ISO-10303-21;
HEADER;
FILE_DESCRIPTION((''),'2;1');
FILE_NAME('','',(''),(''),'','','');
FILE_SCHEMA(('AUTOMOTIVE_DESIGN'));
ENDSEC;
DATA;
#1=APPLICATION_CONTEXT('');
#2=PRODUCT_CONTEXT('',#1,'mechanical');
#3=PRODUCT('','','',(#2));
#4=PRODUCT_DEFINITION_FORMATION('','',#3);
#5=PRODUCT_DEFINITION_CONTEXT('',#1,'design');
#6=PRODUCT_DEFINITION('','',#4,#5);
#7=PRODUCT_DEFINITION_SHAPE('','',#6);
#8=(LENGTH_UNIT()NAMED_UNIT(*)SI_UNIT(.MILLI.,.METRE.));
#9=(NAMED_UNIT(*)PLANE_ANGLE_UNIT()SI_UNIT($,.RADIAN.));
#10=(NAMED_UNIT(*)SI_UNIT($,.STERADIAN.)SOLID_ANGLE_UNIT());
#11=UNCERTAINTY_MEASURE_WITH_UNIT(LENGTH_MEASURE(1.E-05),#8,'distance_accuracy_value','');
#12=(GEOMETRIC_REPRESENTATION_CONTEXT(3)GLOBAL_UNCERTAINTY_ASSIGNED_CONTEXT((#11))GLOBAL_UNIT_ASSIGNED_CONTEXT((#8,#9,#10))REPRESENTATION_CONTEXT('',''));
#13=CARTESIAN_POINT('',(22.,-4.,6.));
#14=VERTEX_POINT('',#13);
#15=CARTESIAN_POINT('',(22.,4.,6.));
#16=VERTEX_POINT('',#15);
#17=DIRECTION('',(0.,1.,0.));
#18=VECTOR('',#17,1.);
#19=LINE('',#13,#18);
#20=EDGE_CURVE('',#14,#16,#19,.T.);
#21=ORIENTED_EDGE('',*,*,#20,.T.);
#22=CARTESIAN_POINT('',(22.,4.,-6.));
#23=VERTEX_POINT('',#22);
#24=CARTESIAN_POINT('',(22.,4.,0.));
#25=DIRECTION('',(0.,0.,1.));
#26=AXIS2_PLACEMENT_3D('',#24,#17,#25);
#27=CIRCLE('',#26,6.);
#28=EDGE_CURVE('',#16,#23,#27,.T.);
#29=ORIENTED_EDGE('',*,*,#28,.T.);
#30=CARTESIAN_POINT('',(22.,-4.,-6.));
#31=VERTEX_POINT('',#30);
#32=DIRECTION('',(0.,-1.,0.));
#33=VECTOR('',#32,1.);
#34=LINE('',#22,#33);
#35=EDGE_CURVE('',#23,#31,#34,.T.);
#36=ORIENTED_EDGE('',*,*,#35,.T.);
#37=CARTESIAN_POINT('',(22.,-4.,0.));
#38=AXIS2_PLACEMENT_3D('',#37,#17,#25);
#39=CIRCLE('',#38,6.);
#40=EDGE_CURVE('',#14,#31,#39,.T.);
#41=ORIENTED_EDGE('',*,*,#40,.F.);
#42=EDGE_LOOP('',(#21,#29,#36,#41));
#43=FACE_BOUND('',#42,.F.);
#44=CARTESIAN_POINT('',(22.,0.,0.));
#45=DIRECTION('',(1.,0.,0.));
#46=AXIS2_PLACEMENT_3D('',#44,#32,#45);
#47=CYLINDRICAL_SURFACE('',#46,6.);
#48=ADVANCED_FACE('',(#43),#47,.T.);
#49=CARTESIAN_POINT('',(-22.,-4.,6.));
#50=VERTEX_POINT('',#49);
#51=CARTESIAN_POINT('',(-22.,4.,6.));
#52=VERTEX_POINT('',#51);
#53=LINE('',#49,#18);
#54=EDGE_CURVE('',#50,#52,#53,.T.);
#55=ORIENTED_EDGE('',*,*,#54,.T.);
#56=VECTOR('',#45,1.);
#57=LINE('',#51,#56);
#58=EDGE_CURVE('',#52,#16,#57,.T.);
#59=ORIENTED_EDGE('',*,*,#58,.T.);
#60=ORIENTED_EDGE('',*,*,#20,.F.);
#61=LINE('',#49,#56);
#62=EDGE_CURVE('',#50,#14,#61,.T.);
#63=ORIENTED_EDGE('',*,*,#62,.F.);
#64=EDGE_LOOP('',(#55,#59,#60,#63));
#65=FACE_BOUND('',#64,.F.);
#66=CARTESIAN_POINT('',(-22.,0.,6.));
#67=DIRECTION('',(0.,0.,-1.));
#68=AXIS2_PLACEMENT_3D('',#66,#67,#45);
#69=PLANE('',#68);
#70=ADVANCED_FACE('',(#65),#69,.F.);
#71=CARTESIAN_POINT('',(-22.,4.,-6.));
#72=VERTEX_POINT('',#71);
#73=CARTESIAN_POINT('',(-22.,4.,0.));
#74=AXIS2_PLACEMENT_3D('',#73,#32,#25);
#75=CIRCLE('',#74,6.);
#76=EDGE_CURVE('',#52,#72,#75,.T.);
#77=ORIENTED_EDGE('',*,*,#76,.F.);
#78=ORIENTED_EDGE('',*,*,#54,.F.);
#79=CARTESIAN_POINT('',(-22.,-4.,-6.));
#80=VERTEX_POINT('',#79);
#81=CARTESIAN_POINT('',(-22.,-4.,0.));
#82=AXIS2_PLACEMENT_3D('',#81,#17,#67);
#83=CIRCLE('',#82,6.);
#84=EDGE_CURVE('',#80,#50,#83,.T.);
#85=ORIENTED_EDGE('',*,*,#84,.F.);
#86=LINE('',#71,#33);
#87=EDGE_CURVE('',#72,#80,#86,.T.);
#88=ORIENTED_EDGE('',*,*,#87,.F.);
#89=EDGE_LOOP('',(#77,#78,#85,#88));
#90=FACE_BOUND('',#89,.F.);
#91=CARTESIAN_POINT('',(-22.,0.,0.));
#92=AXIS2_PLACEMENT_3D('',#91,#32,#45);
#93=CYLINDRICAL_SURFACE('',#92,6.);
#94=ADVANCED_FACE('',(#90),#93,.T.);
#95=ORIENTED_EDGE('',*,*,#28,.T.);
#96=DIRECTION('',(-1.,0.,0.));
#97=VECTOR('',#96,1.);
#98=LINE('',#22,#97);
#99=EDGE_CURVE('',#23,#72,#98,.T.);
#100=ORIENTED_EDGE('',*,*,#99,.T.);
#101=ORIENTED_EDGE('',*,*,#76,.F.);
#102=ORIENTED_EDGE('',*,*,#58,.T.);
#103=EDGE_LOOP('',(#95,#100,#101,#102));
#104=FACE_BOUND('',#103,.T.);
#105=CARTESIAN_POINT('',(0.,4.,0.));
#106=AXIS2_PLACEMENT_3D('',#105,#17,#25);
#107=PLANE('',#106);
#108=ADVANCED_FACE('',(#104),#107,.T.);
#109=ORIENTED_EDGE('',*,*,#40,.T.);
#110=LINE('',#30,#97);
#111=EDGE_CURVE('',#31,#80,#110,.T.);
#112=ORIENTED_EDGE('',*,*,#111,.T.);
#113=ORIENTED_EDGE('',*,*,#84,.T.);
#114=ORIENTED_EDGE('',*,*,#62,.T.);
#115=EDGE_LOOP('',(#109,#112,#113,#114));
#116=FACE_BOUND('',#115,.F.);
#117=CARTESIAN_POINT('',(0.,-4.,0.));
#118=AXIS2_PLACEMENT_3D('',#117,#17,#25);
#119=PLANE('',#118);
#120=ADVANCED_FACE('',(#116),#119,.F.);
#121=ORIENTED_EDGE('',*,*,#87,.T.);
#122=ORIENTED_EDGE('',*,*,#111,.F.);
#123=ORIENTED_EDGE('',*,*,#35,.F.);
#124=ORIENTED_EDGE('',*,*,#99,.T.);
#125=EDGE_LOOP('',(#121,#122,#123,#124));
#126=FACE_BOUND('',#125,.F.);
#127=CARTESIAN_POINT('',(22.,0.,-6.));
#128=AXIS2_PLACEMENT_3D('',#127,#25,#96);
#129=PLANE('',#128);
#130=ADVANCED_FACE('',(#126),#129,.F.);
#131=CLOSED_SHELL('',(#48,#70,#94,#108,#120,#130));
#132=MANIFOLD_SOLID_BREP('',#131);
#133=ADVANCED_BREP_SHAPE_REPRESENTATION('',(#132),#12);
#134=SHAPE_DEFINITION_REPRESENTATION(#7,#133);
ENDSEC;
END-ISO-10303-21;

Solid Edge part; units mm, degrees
sketch "Sketch1" plane through (0, 0, 0) normal (0, -1, 0) x (1, 0, 0)
  arc A0 (-28, 0) -> (-22, 6) centre (-22, 0) cw
  line L0 (-22, 6) -> (22, 6)
  arc A1 (22, 6) -> (28, 0) centre (22, 0) cw
  arc A2 (28, 0) -> (22, -6) centre (22, 0) cw
  line L1 (22, -6) -> (-22, -6)
  arc A3 (-22, -6) -> (-28, 0) centre (-22, 0) cw
extrude "ExtrudedProtrusion_1" add sketch "Sketch1" against normal blind 4 and the other way blind 4
properties part number "03288-12X56"
